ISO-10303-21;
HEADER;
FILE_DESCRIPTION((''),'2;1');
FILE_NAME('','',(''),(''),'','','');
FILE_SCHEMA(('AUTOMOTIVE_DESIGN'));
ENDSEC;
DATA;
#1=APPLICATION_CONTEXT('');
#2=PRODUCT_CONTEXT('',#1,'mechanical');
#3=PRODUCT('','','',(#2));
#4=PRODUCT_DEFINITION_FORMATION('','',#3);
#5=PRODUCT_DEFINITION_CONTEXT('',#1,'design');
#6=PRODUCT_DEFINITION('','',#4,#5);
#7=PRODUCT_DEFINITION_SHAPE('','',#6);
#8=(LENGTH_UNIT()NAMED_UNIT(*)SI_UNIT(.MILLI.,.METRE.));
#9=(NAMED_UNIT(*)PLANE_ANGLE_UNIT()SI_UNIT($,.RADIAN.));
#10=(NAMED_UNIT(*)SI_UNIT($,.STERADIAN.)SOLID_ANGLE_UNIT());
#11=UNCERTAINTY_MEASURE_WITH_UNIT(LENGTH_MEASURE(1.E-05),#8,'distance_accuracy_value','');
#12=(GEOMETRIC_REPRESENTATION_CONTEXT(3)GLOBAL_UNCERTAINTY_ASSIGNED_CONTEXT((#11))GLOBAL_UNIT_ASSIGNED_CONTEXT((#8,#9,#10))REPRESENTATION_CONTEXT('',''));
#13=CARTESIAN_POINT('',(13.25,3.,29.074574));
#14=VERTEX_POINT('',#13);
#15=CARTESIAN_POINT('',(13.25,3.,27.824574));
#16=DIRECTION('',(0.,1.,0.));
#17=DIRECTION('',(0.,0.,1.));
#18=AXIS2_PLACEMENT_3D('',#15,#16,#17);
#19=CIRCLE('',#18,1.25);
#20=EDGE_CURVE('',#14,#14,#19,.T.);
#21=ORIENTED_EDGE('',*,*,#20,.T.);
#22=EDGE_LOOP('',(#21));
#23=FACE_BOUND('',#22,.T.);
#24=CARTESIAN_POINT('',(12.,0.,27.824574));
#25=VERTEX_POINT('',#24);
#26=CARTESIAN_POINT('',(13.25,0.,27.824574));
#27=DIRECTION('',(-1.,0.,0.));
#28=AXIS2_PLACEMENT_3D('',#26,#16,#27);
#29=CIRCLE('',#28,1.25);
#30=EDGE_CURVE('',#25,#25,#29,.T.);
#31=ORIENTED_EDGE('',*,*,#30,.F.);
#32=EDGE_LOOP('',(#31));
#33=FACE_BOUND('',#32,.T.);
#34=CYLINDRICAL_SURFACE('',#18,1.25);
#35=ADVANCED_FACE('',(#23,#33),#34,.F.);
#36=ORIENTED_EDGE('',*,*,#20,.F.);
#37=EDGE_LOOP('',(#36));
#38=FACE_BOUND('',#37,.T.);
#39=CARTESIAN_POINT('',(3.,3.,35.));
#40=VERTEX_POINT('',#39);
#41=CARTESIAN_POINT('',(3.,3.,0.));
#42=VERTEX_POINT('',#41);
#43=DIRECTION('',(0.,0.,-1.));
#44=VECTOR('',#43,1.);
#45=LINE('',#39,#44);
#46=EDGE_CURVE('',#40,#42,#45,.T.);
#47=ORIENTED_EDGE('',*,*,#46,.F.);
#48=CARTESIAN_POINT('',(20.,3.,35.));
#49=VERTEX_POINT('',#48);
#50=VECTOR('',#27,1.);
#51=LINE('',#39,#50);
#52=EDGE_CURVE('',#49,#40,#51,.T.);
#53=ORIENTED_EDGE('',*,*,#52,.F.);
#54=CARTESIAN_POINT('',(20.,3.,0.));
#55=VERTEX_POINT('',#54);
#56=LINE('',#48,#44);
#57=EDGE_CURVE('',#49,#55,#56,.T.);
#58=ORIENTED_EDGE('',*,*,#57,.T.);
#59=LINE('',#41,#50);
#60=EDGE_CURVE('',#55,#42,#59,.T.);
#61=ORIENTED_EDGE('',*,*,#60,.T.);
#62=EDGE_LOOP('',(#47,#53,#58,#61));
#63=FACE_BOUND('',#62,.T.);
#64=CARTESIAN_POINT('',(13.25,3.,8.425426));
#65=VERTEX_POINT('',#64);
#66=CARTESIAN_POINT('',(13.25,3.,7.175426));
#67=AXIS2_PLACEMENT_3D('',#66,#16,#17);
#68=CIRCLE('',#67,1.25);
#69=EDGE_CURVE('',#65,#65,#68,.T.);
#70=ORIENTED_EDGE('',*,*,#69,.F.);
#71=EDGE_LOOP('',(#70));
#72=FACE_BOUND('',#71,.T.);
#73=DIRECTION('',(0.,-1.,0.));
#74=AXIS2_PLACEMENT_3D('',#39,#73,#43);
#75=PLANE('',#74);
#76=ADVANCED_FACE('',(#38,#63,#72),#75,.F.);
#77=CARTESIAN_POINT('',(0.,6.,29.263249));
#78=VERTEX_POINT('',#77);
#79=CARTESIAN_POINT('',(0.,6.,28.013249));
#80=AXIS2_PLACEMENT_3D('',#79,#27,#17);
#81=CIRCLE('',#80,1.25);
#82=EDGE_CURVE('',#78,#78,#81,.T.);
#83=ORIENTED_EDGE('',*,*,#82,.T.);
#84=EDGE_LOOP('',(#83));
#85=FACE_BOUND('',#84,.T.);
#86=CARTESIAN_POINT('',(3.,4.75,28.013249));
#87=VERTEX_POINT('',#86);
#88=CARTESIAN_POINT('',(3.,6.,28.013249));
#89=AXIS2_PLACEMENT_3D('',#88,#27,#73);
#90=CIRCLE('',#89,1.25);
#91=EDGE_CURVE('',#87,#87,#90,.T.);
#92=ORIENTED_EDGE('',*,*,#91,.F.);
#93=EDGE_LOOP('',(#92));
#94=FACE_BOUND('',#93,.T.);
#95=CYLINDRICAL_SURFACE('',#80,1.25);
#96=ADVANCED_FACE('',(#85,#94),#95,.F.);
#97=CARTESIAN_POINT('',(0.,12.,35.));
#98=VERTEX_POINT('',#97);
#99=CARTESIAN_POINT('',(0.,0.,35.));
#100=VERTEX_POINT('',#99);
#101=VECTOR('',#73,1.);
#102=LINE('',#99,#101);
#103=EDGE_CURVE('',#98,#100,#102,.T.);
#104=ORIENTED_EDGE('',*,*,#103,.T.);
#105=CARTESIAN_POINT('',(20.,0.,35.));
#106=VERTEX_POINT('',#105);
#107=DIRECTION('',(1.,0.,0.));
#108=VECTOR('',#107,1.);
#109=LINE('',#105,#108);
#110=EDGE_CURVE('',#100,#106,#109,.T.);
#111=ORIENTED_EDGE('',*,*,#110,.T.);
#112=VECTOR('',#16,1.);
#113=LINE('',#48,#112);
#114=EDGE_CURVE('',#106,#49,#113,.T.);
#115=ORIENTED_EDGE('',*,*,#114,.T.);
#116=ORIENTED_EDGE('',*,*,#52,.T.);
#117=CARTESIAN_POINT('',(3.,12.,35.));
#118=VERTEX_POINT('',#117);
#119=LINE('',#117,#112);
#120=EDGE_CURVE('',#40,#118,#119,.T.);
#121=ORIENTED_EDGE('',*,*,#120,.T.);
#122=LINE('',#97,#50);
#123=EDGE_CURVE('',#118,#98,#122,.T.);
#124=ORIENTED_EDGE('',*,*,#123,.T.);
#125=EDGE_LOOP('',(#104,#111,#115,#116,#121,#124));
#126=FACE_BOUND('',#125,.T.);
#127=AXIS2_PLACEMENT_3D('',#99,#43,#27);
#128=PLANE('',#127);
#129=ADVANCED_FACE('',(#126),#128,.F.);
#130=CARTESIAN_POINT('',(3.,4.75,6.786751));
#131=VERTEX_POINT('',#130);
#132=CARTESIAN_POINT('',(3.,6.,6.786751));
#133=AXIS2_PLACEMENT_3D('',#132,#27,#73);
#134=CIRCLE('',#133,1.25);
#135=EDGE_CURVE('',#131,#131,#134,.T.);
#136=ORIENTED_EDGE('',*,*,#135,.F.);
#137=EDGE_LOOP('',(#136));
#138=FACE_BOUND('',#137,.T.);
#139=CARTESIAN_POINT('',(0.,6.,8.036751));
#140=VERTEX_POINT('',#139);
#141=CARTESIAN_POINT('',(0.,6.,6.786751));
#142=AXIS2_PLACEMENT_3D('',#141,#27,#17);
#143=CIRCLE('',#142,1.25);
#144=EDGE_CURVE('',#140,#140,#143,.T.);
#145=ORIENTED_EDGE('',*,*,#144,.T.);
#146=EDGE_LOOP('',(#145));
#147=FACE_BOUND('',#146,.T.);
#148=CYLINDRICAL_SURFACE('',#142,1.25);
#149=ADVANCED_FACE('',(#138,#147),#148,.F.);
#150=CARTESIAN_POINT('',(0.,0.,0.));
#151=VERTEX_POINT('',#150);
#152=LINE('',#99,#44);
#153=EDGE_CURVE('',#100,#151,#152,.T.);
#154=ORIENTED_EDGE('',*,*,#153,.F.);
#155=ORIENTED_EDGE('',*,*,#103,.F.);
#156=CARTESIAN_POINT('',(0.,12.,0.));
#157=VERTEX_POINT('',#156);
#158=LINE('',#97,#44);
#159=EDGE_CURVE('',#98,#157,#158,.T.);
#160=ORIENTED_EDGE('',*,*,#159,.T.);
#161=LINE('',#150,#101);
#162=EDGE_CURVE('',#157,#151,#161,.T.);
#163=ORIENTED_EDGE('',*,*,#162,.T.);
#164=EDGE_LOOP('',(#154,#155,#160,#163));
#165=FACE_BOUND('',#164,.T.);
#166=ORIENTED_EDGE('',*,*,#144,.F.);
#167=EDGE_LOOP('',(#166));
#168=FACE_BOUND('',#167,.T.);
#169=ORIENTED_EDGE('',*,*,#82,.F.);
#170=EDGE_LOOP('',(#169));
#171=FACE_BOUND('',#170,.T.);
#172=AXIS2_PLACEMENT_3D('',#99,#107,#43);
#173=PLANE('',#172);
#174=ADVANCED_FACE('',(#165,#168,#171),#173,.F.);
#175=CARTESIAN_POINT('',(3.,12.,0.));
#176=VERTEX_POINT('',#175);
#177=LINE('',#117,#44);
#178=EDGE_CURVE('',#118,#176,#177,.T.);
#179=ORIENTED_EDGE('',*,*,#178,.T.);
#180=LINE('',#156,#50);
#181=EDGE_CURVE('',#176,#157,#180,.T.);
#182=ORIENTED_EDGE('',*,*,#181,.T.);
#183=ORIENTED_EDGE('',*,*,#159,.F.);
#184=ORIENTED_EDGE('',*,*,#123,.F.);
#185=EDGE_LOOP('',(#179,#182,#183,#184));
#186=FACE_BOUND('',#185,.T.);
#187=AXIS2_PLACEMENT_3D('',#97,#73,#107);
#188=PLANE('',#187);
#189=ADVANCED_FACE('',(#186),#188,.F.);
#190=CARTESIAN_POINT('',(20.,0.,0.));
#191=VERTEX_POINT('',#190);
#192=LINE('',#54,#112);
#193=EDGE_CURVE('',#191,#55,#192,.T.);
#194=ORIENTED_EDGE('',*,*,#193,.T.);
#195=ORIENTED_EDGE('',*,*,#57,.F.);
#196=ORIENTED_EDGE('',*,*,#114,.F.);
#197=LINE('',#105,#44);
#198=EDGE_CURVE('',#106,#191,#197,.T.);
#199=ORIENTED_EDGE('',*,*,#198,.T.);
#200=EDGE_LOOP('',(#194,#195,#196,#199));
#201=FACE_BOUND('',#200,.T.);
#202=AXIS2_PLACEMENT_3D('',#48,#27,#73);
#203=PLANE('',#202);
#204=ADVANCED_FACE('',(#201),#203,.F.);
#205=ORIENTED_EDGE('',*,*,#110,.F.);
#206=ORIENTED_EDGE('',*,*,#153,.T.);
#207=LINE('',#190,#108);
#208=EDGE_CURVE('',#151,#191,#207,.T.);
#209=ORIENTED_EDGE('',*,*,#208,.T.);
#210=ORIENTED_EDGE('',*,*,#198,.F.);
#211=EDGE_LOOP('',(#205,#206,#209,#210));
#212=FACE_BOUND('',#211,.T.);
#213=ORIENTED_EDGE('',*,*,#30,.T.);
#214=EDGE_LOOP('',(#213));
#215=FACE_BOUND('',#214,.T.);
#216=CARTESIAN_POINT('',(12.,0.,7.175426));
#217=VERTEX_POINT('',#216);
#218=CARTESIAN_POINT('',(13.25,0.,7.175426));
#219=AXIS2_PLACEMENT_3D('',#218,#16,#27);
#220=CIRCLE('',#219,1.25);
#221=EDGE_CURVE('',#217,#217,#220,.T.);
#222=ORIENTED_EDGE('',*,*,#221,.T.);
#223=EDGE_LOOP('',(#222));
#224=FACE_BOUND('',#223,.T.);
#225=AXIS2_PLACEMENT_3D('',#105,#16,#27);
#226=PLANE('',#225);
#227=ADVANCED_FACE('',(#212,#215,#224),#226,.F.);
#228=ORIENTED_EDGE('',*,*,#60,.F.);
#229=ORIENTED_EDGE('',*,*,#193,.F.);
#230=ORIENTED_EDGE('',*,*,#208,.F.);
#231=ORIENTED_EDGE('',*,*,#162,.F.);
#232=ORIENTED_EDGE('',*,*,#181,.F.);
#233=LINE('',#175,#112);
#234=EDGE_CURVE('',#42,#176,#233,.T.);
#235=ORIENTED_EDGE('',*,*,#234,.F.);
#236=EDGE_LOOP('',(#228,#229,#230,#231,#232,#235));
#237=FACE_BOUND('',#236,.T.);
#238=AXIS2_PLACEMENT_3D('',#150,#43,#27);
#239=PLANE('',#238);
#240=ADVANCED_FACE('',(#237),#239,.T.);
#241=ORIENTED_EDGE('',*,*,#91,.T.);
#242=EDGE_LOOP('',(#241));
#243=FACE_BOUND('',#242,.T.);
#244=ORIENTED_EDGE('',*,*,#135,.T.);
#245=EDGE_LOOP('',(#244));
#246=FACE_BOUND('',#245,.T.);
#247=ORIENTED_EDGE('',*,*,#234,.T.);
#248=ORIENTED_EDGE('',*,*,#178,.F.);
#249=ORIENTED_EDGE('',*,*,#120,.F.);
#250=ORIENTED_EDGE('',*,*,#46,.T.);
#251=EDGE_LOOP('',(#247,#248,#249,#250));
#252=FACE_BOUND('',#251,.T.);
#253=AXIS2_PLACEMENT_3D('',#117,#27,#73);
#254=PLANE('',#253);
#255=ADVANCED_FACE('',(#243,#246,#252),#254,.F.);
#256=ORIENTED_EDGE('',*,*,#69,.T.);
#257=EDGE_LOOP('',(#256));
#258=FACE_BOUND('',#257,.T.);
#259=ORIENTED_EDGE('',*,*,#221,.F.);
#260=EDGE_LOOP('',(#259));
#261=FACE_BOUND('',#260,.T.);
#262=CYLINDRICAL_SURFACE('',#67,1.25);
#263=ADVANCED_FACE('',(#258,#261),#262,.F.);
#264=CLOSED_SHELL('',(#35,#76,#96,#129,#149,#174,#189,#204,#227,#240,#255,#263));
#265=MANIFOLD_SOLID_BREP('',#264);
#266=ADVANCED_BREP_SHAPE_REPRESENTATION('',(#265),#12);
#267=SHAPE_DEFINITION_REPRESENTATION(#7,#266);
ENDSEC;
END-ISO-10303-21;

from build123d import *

# Parameters (mm, degrees)
BOSS_EXTRU_1_DEPTH    = 35
TROU_TARAUD_M31_D     = 2.5
TROU_TARAUD_M31_DEPTH = 4.9
TROU_TARAUD_M31_TIP   = 0.751075774
TROU_TARAUD_M32_D     = 2.5
TROU_TARAUD_M32_DEPTH = 4.9
TROU_TARAUD_M32_TIP   = 0.751075774


with BuildPart() as part:
    # Esquisse1 → Boss.-Extru.1 (new body)
    with BuildSketch(Plane.XY):
        Polygon((0, 0), (0, 12), (3, 12), (3, 3), (20, 3), (20, 0), align=None)
    extrude(amount=BOSS_EXTRU_1_DEPTH)

    # Trou taraudé M31
    with Locations(Plane(origin=(0, 3, 0), x_dir=(-1, 0, 0), z_dir=(0, 1, 0))):
        with Locations((-13.25, 27.824573519), (-13.25, 7.175426481)):
            Hole(TROU_TARAUD_M31_D / 2, depth=TROU_TARAUD_M31_DEPTH)
            with Locations((0, 0, -(TROU_TARAUD_M31_DEPTH + TROU_TARAUD_M31_TIP / 2))):  # 118° drill point
                Cone(0, TROU_TARAUD_M31_D / 2, TROU_TARAUD_M31_TIP, mode=Mode.SUBTRACT)

    # Trou taraudé M32
    with Locations(Plane.ZY):
        with Locations((6.786751346, 6), (28.013248654, 6)):
            Hole(TROU_TARAUD_M32_D / 2, depth=TROU_TARAUD_M32_DEPTH)
            with Locations((0, 0, -(TROU_TARAUD_M32_DEPTH + TROU_TARAUD_M32_TIP / 2))):  # 118° drill point
                Cone(0, TROU_TARAUD_M32_D / 2, TROU_TARAUD_M32_TIP, mode=Mode.SUBTRACT)


solid = part.part
